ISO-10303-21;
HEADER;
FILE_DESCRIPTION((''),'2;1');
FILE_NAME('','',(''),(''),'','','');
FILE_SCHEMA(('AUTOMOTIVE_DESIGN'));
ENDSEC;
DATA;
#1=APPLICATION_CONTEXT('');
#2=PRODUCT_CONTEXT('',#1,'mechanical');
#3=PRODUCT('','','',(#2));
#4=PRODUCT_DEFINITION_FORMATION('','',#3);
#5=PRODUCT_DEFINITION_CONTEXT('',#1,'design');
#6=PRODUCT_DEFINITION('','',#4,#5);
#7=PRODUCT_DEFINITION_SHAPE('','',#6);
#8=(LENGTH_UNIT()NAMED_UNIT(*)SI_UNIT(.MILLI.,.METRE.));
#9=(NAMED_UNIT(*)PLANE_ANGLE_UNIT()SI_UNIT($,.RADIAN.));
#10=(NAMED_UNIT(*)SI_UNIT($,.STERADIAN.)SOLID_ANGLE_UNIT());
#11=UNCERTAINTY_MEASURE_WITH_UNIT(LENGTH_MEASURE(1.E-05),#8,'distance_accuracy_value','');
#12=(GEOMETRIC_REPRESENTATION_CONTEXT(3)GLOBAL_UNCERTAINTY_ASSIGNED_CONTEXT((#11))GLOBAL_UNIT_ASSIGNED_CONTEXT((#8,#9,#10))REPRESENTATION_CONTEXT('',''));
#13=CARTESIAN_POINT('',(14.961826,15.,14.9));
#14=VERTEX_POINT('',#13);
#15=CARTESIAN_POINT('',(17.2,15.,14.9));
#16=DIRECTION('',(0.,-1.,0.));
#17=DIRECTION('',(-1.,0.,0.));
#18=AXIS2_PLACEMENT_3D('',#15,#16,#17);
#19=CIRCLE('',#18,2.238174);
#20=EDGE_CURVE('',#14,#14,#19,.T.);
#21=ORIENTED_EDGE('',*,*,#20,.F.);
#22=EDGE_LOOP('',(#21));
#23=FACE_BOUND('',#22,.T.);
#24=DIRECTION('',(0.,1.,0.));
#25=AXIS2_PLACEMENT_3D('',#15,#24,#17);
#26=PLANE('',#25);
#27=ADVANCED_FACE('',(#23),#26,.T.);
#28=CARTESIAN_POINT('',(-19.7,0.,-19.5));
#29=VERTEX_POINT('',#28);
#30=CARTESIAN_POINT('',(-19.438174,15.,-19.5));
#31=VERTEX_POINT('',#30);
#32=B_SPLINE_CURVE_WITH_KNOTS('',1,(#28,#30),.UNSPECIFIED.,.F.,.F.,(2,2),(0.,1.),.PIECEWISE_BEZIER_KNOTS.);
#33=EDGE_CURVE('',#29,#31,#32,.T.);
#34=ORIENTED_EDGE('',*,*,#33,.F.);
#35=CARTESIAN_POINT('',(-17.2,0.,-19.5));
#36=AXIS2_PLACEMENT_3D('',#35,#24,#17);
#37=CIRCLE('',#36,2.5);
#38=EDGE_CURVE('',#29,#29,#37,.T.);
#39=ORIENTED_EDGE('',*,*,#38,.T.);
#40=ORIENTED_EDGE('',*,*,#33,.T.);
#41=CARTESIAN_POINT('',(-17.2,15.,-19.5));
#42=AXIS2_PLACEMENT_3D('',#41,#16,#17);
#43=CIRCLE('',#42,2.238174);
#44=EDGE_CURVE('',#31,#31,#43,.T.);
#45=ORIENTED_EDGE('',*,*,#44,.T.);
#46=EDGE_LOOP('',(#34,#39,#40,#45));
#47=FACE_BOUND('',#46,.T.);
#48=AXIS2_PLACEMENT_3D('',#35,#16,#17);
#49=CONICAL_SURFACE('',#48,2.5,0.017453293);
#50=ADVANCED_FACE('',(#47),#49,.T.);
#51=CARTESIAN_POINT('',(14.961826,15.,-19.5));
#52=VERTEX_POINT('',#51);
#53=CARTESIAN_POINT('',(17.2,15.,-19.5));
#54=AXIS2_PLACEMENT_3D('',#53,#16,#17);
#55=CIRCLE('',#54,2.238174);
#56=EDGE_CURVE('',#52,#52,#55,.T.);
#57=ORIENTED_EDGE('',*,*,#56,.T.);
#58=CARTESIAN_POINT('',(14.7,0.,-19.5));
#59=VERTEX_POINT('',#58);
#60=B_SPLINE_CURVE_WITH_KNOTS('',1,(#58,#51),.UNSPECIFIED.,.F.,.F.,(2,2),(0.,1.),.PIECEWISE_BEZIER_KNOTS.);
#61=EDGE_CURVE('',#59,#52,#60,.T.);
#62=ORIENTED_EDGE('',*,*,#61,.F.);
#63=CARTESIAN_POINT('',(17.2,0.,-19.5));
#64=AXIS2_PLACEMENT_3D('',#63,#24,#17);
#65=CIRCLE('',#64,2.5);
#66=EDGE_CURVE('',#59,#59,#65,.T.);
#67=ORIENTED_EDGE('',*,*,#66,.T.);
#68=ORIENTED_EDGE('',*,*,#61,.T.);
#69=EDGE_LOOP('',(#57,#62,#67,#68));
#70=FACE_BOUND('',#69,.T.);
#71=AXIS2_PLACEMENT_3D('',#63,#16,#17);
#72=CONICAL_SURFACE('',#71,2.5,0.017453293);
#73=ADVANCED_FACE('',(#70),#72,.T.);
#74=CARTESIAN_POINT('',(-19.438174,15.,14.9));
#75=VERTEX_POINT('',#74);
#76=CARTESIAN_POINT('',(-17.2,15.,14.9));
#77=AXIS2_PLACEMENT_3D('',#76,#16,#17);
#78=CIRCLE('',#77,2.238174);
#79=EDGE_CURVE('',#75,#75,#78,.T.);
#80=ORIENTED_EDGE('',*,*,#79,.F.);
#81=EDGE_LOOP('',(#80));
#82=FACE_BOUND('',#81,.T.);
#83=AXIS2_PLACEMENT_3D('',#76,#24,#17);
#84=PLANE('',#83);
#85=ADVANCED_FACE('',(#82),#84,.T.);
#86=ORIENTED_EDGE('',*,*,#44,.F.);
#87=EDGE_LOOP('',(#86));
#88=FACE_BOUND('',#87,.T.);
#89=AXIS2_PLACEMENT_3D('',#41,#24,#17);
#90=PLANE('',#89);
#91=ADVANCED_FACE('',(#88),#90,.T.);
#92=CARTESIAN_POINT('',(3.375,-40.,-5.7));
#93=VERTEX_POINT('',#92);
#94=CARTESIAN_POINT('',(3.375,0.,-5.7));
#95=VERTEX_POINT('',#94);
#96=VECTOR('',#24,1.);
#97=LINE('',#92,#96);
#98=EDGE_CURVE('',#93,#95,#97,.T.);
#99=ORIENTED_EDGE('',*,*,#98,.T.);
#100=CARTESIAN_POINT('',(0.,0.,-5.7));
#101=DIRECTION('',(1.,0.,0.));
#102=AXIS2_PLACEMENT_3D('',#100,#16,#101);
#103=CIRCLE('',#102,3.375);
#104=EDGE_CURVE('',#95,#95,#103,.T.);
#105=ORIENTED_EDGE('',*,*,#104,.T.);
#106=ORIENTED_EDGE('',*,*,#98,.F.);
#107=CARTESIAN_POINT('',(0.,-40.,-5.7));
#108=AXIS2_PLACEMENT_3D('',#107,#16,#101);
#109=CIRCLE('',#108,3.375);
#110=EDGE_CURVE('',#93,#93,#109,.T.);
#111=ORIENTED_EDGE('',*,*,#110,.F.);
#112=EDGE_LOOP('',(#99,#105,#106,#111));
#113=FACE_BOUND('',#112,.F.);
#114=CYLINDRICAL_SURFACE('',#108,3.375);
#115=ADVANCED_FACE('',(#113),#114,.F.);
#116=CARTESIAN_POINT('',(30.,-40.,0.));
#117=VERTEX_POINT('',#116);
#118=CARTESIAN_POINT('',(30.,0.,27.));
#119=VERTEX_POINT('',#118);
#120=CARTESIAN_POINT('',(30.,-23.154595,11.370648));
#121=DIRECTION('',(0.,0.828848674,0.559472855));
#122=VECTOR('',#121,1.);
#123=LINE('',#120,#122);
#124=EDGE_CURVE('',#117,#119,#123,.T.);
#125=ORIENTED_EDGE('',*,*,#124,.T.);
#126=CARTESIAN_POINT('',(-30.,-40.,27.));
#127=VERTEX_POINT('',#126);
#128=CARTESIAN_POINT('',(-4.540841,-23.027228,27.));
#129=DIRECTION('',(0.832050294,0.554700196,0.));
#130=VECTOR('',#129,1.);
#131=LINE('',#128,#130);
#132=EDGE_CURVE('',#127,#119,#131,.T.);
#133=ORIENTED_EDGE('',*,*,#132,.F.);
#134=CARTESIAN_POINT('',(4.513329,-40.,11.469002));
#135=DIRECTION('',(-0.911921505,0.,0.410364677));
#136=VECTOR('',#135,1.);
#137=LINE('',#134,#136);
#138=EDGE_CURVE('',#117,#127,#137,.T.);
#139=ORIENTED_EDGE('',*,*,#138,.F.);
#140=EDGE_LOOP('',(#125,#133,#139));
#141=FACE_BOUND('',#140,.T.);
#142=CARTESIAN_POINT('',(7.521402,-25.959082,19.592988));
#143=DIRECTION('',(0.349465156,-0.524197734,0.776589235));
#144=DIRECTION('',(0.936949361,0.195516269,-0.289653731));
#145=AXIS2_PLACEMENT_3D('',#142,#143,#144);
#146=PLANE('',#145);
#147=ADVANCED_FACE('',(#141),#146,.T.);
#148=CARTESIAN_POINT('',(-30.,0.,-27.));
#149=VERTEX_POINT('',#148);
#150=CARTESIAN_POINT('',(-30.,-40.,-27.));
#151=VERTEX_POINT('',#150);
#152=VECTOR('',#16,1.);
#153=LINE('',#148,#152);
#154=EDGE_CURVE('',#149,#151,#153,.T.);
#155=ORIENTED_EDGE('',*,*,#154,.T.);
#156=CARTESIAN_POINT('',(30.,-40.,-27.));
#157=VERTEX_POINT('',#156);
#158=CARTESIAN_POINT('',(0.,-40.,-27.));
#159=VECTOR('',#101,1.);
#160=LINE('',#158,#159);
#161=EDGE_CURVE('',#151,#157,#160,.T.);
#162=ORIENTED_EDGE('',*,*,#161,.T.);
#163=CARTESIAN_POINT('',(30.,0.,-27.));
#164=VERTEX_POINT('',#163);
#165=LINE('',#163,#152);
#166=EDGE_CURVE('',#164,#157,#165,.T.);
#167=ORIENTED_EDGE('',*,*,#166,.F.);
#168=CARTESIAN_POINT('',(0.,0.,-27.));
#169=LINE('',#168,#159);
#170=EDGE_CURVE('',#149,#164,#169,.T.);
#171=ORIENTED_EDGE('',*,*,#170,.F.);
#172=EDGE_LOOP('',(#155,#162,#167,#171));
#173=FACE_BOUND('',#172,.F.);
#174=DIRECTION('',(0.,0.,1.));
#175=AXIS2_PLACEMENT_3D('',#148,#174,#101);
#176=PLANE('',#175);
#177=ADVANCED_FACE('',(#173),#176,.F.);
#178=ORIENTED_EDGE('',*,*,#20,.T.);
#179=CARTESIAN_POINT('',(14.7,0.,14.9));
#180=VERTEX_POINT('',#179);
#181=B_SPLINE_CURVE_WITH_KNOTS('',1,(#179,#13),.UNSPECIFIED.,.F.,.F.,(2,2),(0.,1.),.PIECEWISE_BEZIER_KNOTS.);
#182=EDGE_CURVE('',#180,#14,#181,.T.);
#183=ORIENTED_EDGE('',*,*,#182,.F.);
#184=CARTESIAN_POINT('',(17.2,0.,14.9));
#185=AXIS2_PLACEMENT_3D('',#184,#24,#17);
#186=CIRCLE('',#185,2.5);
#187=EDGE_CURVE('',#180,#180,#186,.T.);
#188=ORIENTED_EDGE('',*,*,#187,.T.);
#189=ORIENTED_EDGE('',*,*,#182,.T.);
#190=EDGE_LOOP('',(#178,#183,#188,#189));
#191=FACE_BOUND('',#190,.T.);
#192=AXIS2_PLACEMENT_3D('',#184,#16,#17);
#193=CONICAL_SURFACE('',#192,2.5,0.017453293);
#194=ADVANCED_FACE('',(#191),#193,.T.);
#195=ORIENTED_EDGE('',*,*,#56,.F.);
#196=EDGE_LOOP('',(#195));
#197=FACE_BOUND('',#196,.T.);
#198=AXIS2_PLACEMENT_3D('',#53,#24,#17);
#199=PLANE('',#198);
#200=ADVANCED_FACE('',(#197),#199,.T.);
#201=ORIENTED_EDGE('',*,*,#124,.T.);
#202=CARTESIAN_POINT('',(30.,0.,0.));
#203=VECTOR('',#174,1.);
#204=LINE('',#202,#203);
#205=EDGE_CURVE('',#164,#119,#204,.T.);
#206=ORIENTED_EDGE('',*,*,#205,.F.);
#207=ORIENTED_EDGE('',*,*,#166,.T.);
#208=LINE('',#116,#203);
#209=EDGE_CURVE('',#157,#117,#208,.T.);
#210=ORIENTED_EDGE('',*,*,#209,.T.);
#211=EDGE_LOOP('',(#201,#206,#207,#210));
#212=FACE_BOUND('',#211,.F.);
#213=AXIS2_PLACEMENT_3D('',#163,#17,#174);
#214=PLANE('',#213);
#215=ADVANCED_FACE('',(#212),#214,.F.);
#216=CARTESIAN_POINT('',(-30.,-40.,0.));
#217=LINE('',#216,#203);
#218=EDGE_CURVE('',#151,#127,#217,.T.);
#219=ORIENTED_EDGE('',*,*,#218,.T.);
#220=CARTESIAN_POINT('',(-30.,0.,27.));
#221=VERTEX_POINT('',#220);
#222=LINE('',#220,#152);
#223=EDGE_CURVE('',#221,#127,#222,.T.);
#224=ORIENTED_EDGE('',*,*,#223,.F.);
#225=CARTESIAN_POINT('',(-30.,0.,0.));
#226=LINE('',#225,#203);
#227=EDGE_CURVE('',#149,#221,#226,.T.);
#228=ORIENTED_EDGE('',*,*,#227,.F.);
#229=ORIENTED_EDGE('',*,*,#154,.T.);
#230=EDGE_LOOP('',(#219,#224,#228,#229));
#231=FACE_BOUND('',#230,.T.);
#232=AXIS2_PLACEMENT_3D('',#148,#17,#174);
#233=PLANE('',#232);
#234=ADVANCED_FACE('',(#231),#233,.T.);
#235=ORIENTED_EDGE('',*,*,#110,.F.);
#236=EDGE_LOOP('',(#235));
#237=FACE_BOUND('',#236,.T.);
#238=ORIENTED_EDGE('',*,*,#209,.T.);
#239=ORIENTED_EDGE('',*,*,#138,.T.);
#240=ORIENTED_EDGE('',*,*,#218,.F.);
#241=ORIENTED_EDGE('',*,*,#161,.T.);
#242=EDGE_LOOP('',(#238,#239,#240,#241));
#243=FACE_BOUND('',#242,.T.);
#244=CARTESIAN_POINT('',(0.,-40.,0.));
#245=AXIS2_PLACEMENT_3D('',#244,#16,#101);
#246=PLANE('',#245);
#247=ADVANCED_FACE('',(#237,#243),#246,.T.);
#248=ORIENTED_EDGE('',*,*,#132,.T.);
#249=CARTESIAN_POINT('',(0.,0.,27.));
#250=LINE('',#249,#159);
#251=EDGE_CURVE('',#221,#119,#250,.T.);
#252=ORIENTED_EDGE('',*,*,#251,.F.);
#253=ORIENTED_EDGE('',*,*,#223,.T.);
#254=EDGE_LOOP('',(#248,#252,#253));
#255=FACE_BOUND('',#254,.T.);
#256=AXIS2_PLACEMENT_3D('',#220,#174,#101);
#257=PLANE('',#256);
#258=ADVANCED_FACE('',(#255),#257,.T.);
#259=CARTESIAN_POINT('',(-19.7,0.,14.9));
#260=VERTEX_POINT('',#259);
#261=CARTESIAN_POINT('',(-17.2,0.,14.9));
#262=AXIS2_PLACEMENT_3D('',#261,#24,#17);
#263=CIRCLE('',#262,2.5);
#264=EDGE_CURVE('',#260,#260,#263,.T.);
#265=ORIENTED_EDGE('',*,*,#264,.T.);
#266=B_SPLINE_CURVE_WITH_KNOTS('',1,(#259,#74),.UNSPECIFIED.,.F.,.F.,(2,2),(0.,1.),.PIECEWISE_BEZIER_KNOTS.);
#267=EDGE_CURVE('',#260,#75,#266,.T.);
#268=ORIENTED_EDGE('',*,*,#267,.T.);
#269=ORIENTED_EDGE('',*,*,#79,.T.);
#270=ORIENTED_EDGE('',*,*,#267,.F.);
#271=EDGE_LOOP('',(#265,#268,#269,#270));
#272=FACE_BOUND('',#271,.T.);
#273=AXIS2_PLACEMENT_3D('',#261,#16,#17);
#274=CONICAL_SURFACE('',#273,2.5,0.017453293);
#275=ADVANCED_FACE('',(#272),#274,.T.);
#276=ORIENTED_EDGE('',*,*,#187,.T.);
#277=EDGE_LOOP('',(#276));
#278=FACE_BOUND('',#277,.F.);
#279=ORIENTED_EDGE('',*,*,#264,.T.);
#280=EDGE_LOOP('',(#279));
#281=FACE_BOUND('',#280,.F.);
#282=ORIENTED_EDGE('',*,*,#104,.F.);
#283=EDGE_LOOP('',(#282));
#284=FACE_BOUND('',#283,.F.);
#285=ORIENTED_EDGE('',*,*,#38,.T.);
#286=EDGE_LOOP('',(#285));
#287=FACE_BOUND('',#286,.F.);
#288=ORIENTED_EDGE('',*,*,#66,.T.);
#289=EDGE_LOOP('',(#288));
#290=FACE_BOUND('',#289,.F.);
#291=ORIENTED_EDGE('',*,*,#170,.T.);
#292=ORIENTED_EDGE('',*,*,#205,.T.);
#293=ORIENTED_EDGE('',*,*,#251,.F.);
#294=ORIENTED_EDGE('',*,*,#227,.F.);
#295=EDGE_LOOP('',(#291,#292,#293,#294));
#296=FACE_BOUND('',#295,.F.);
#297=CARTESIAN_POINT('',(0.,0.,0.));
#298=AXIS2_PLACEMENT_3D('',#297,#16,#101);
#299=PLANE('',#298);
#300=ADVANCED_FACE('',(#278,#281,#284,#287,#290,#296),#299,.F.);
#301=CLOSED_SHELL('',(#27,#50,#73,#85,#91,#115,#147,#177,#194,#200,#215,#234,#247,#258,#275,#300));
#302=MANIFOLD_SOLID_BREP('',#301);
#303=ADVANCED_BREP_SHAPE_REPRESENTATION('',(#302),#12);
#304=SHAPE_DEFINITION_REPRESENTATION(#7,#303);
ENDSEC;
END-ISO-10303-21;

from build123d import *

# Parameters (mm, degrees)
F0_W     = 60
F0_H     = 54
F1_DEPTH = 40
F2_R     = 2.5
F3_DEPTH = 15
F3_TAPER = 1
F4_R     = 3.375
F5_DEPTH = 40
F8_W     = 83.198
F8_H     = 59.4474617392
F9_DEPTH = 25


with BuildPart() as f1:
    # F0 (on Front) → F1 (new body)
    with BuildSketch(Plane.XZ):
        Rectangle(F0_W, F0_H)
    extrude(amount=F1_DEPTH)

    # F2 (on face) → F3 (join)
    with BuildSketch(Plane(origin=(0, 0, 0), x_dir=(-1, 0, 0), z_dir=(0, 1, 0))):
        with Locations((-17.2, 14.9)):
            Circle(F2_R)
        with Locations((17.2, 14.9)):
            Circle(F2_R)
        with Locations((17.2, -19.5)):
            Circle(F2_R)
        with Locations((-17.2, -19.5)):
            Circle(F2_R)
    extrude(amount=F3_DEPTH, taper=F3_TAPER)

    # F4 (on face) → F5 (cut, through all)
    with BuildSketch(Plane.XZ.offset(40)):
        with Locations((0, -5.7)):
            Circle(F4_R)
    extrude(amount=-F5_DEPTH, mode=Mode.SUBTRACT)

    # F8 (on 3pt) → F9 (cut)
    with BuildSketch(Plane(origin=(10.9913305692, -16.4869958538, 24.4251790426), x_dir=(0.9369493608, 0.1955162685, -0.2896537311), z_dir=(0.3494651559, -0.5241977339, 0.7765892354))):
        with Locations((-3.7034322848, -10.5544058606)):
            Rectangle(F8_W, F8_H)
    extrude(amount=F9_DEPTH, mode=Mode.SUBTRACT)


solid = f1.part
